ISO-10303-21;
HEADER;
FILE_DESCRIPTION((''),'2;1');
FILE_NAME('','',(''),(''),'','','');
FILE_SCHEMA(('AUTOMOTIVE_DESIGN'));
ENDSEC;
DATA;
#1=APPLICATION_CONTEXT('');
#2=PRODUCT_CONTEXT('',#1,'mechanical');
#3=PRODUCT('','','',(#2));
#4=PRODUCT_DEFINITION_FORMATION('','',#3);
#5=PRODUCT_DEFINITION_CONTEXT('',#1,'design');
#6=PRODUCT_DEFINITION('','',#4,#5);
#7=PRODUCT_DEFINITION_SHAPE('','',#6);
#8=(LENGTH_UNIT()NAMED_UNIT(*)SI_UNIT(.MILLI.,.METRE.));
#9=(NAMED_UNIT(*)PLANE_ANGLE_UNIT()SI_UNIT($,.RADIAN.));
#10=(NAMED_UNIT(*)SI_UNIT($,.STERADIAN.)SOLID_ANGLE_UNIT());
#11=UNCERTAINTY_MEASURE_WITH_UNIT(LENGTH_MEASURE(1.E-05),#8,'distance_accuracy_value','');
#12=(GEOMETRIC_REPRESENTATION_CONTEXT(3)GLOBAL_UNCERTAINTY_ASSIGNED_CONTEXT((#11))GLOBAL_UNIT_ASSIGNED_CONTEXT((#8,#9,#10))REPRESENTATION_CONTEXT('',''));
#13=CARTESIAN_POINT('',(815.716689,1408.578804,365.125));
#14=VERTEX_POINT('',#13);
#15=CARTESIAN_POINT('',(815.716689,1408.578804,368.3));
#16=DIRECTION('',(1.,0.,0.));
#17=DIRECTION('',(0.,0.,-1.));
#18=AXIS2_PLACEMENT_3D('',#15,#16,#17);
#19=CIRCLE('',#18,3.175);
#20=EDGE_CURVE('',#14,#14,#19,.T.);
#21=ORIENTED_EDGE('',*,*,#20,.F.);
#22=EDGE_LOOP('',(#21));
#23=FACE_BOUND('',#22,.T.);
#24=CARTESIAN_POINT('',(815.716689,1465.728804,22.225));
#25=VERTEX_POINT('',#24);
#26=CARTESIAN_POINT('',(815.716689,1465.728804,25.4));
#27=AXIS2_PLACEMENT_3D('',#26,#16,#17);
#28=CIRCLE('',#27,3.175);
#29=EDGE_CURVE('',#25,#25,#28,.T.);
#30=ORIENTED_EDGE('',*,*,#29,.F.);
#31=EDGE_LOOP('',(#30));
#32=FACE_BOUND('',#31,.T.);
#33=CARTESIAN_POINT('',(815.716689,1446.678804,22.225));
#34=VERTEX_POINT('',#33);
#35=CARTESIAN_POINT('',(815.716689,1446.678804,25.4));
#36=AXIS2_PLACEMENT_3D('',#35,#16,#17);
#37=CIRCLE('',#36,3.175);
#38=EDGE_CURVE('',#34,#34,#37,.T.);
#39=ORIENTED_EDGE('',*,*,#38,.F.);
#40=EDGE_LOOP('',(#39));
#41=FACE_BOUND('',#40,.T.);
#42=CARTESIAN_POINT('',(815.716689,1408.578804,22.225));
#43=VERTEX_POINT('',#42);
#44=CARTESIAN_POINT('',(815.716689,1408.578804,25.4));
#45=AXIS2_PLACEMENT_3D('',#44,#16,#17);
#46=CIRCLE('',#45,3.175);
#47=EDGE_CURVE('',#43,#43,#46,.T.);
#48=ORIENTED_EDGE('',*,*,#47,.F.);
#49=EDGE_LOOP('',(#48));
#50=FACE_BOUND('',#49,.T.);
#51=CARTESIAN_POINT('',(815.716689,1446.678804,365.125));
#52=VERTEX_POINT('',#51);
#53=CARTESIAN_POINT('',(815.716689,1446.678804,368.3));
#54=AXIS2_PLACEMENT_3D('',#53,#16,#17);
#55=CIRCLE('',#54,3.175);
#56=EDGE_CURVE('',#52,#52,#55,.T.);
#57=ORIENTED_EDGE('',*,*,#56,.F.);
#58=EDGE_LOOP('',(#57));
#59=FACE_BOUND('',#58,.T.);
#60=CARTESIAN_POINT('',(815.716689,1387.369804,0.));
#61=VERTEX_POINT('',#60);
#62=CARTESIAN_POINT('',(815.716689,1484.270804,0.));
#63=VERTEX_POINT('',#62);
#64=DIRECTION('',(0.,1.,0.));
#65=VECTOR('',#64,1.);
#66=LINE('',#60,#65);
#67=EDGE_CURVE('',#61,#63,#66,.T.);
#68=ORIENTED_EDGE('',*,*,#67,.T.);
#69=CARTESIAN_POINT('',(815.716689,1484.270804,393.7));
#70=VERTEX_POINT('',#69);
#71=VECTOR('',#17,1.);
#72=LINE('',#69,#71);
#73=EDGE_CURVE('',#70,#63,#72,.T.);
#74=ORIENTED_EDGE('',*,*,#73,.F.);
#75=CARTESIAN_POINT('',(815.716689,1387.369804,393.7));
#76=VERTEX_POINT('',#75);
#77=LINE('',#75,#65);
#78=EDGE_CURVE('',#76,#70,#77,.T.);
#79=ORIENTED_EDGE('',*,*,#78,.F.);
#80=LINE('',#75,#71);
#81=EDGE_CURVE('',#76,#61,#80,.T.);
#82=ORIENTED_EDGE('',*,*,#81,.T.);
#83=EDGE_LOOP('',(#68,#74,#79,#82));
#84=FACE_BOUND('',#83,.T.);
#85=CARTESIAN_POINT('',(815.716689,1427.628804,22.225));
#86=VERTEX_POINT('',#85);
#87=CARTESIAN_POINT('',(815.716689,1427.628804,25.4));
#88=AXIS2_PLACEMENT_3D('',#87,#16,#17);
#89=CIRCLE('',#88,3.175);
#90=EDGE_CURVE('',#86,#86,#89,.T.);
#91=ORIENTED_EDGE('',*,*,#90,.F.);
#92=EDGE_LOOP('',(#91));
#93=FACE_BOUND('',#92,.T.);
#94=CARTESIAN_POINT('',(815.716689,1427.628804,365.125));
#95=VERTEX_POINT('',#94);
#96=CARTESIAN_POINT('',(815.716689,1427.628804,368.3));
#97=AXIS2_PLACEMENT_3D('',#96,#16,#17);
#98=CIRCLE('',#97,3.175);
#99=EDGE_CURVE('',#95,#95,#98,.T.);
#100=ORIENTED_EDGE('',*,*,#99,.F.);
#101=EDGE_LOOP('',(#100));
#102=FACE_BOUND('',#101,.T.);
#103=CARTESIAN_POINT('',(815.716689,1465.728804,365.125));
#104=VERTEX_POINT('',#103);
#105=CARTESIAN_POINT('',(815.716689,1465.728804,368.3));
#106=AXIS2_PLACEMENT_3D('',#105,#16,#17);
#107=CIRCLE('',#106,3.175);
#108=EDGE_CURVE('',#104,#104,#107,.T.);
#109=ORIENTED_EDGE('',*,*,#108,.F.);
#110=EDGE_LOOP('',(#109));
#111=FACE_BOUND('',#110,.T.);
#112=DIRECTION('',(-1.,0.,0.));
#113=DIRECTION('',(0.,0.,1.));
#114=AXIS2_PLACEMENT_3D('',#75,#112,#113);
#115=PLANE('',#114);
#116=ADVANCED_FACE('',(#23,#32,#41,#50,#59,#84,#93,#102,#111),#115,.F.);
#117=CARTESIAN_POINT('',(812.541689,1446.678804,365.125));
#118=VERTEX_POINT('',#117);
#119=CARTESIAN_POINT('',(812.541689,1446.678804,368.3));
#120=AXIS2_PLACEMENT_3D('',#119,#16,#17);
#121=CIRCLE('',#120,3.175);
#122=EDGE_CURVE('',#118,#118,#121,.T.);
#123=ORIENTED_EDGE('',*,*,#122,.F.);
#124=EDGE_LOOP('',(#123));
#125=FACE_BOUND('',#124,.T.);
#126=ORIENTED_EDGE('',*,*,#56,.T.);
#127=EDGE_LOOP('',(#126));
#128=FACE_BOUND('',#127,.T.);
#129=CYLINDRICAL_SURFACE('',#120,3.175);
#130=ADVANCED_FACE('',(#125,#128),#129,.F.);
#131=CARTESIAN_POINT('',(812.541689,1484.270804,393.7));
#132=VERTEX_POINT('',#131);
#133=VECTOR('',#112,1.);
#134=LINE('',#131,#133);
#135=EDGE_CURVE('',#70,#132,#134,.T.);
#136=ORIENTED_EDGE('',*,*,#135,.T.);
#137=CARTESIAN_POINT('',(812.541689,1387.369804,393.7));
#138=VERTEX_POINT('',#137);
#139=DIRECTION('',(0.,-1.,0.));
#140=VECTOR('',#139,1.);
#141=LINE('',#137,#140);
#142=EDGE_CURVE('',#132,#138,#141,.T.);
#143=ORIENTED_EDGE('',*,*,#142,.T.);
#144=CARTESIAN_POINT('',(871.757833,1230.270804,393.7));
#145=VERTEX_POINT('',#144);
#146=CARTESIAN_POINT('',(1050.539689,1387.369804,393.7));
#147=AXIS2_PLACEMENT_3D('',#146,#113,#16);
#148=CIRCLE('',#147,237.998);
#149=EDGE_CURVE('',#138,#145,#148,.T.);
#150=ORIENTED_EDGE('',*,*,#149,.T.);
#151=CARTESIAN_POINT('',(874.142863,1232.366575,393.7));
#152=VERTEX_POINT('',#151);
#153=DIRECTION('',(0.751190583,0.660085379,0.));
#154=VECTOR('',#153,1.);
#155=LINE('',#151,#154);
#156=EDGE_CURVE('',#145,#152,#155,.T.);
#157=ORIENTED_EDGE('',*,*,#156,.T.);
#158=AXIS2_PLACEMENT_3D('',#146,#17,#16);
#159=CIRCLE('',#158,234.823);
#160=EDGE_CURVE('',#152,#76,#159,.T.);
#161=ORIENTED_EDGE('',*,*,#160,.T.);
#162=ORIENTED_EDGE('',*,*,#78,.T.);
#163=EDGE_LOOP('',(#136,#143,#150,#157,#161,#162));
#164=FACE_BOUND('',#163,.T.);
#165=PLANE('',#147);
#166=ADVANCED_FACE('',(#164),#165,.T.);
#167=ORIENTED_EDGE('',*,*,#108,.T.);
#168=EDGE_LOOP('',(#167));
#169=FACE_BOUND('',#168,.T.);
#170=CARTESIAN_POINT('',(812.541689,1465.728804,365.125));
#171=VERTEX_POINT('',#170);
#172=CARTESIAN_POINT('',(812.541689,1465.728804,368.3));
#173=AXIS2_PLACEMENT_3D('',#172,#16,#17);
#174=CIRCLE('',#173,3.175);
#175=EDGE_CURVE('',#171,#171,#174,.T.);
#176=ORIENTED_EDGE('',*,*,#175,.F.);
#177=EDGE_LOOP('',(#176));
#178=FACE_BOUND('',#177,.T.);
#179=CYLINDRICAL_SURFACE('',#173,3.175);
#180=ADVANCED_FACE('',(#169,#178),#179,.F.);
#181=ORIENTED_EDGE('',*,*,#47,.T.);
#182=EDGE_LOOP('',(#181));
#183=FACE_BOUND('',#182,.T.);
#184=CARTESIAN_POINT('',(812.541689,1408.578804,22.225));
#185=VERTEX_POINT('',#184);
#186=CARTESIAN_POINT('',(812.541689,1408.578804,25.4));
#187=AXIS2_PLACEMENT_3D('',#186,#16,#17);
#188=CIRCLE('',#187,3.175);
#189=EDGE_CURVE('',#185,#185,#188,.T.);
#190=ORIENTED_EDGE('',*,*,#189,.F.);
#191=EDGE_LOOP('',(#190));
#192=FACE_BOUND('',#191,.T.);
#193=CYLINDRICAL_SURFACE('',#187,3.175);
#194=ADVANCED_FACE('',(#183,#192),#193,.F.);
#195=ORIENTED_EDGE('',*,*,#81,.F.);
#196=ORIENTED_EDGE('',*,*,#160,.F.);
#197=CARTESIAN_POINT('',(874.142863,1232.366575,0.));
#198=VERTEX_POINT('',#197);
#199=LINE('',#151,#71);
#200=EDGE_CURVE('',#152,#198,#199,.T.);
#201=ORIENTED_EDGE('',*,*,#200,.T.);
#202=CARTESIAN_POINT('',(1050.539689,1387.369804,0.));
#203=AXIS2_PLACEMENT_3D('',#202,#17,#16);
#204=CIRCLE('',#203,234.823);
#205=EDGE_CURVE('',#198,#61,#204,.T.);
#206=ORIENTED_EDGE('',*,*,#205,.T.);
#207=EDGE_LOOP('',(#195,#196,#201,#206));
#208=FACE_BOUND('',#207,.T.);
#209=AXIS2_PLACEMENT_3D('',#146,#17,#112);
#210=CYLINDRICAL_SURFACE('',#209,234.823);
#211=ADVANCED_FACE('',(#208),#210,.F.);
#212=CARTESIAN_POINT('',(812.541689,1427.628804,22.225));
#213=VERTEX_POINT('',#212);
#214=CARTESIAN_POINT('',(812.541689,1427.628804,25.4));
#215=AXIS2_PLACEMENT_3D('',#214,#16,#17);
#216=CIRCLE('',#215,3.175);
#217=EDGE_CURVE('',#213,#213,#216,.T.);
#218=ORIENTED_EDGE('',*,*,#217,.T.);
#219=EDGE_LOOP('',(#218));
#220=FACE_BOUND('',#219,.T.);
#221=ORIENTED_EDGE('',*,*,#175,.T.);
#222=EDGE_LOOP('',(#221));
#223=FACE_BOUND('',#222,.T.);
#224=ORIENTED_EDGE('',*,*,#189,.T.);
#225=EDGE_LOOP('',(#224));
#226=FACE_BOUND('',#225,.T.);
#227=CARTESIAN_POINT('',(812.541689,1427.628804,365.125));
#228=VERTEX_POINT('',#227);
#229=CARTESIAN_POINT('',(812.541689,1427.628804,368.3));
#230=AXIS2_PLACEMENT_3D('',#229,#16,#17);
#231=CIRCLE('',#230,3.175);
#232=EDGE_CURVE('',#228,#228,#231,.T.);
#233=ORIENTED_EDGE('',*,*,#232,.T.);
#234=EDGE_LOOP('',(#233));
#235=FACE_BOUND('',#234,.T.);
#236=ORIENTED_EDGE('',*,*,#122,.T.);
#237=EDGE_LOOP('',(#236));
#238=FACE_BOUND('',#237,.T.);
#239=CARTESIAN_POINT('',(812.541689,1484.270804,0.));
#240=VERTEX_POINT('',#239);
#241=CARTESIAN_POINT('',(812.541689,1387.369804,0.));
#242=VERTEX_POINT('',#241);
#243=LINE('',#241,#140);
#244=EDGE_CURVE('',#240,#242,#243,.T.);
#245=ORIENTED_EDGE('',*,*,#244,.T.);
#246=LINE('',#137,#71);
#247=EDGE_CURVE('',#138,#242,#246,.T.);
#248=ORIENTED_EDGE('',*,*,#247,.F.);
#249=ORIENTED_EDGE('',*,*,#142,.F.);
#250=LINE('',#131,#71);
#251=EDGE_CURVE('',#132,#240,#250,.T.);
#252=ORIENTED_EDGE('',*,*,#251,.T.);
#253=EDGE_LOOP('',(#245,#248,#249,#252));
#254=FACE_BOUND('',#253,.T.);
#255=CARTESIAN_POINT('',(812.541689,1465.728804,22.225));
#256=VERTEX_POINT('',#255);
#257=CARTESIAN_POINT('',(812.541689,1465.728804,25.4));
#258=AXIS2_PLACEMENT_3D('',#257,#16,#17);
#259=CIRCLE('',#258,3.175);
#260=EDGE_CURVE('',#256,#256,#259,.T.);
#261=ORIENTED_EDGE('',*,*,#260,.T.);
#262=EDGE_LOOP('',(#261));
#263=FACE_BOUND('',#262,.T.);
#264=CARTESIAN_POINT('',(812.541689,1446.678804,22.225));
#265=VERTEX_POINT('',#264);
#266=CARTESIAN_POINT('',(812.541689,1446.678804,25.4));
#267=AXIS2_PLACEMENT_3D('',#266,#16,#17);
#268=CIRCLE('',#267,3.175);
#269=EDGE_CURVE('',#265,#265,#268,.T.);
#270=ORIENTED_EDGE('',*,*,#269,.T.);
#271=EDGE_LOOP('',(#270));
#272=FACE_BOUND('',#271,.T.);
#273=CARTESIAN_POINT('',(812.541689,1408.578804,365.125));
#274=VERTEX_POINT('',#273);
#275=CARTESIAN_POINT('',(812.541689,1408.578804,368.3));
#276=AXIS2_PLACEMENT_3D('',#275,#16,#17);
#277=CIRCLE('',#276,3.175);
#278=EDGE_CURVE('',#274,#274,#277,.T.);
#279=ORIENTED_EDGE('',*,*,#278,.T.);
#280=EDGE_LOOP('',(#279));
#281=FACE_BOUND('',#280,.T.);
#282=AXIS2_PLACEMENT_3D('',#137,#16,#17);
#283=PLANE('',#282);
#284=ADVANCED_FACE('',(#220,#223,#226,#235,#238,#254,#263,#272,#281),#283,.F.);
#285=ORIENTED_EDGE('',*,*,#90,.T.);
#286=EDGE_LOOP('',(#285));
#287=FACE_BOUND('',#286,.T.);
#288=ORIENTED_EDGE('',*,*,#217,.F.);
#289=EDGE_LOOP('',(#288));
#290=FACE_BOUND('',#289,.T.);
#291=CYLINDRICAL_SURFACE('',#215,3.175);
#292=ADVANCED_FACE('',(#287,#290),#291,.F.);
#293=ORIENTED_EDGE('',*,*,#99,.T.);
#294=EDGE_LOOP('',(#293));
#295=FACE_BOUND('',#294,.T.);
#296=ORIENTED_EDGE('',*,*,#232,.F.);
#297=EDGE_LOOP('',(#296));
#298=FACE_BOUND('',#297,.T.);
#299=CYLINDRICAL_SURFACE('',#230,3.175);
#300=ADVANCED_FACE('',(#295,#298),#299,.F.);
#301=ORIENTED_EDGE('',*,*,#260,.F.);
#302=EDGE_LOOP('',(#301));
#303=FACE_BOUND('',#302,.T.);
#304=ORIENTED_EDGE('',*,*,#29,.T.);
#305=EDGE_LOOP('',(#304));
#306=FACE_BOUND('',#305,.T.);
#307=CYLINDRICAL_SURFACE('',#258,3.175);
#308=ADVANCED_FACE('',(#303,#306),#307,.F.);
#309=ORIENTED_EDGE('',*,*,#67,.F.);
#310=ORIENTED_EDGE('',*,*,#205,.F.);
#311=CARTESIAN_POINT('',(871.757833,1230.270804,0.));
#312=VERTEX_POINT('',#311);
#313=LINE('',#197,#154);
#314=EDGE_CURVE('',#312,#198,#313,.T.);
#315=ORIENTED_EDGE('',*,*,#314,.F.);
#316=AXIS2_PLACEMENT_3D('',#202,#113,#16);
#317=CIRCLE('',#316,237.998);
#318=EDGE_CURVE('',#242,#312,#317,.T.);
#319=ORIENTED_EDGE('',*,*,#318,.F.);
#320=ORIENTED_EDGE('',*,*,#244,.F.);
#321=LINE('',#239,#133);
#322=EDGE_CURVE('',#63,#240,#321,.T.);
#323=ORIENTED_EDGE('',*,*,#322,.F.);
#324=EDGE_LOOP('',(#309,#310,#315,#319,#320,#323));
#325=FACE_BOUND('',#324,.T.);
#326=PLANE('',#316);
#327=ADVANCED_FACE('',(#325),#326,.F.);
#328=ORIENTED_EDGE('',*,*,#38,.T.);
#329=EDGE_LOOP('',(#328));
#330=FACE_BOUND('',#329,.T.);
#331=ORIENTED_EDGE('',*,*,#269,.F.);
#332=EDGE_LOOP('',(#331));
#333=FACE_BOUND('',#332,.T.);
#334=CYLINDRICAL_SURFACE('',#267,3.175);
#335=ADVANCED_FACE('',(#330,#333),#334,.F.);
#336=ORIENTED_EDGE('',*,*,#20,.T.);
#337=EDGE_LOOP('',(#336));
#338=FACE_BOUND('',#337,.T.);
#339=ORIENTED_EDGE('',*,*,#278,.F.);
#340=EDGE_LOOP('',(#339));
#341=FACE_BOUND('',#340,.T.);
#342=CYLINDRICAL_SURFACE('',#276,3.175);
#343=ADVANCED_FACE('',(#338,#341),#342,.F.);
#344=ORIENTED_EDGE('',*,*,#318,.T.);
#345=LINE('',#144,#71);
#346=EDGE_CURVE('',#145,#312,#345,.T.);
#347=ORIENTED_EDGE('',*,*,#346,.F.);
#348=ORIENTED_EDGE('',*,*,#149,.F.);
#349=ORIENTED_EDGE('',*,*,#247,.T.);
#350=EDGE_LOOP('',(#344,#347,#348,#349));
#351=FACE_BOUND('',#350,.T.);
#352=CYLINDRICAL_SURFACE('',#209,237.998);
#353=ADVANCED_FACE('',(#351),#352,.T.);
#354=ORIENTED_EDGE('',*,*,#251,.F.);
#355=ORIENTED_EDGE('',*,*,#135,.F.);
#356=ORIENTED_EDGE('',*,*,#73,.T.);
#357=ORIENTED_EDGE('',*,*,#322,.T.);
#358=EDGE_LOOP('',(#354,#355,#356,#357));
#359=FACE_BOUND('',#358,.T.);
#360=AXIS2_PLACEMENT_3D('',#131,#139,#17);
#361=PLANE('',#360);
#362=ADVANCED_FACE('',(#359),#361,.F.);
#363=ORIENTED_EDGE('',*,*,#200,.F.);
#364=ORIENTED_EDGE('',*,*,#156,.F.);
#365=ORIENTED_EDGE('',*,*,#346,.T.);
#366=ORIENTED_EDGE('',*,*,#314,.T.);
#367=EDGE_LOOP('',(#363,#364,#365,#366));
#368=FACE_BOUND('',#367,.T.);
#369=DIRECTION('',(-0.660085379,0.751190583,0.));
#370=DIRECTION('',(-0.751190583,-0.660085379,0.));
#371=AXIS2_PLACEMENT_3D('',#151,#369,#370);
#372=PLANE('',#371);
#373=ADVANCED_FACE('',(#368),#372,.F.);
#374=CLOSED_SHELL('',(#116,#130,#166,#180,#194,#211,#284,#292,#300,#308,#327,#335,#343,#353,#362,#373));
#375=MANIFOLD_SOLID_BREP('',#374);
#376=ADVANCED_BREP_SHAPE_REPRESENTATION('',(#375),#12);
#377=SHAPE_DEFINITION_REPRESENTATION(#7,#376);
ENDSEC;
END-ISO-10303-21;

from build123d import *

# Parameters (mm, degrees)
BOSS_EXTRUDE1_DEPTH = 393.7
SKETCH2_R           = 3.175
CUT_EXTRUDE1_DEPTH  = 1537.708536769


with BuildPart() as part:
    # Sketch1 → Boss-Extrude1 (new body)
    with BuildSketch(Plane.XY):
        with BuildLine():
            Line((812.541689005, 1387.369803868), (812.541689005, 1484.270803868))
            Line((812.541689005, 1484.270803868), (815.716689005, 1484.270803868))
            Line((815.716689005, 1484.270803868), (815.716689005, 1387.369803868))
            ThreePointArc((815.716689005, 1387.369803868), (830.808178648, 1304.545262303), (874.142862637, 1232.366574946))
            Line((874.142862637, 1232.366574946), (871.757832535, 1230.270803868))
            ThreePointArc((871.757832535, 1230.270803868), (827.837227995, 1303.425406414), (812.541689005, 1387.369803868))
        make_face()
    extrude(amount=BOSS_EXTRUDE1_DEPTH)

    # Sketch2 → Cut-Extrude1 (cut, through all)
    with BuildSketch(Plane(origin=(815.716689005, 0, 0), x_dir=(0, 0, -1), z_dir=(1, 0, 0))):
        with Locations((-368.3, 1446.678803868)):
            Circle(SKETCH2_R)
        with Locations((-368.3, 1427.628803868)):
            Circle(SKETCH2_R)
        with Locations((-368.3, 1408.578803868)):
            Circle(SKETCH2_R)
        with Locations((-25.4, 1465.728803868)):
            Circle(SKETCH2_R)
        with Locations((-25.4, 1446.678803868)):
            Circle(SKETCH2_R)
        with Locations((-25.4, 1427.628803868)):
            Circle(SKETCH2_R)
        with Locations((-368.3, 1465.728803868)):
            Circle(SKETCH2_R)
        with Locations((-25.4, 1408.578803868)):
            Circle(SKETCH2_R)
    extrude(amount=-CUT_EXTRUDE1_DEPTH, mode=Mode.SUBTRACT)


solid = part.part
